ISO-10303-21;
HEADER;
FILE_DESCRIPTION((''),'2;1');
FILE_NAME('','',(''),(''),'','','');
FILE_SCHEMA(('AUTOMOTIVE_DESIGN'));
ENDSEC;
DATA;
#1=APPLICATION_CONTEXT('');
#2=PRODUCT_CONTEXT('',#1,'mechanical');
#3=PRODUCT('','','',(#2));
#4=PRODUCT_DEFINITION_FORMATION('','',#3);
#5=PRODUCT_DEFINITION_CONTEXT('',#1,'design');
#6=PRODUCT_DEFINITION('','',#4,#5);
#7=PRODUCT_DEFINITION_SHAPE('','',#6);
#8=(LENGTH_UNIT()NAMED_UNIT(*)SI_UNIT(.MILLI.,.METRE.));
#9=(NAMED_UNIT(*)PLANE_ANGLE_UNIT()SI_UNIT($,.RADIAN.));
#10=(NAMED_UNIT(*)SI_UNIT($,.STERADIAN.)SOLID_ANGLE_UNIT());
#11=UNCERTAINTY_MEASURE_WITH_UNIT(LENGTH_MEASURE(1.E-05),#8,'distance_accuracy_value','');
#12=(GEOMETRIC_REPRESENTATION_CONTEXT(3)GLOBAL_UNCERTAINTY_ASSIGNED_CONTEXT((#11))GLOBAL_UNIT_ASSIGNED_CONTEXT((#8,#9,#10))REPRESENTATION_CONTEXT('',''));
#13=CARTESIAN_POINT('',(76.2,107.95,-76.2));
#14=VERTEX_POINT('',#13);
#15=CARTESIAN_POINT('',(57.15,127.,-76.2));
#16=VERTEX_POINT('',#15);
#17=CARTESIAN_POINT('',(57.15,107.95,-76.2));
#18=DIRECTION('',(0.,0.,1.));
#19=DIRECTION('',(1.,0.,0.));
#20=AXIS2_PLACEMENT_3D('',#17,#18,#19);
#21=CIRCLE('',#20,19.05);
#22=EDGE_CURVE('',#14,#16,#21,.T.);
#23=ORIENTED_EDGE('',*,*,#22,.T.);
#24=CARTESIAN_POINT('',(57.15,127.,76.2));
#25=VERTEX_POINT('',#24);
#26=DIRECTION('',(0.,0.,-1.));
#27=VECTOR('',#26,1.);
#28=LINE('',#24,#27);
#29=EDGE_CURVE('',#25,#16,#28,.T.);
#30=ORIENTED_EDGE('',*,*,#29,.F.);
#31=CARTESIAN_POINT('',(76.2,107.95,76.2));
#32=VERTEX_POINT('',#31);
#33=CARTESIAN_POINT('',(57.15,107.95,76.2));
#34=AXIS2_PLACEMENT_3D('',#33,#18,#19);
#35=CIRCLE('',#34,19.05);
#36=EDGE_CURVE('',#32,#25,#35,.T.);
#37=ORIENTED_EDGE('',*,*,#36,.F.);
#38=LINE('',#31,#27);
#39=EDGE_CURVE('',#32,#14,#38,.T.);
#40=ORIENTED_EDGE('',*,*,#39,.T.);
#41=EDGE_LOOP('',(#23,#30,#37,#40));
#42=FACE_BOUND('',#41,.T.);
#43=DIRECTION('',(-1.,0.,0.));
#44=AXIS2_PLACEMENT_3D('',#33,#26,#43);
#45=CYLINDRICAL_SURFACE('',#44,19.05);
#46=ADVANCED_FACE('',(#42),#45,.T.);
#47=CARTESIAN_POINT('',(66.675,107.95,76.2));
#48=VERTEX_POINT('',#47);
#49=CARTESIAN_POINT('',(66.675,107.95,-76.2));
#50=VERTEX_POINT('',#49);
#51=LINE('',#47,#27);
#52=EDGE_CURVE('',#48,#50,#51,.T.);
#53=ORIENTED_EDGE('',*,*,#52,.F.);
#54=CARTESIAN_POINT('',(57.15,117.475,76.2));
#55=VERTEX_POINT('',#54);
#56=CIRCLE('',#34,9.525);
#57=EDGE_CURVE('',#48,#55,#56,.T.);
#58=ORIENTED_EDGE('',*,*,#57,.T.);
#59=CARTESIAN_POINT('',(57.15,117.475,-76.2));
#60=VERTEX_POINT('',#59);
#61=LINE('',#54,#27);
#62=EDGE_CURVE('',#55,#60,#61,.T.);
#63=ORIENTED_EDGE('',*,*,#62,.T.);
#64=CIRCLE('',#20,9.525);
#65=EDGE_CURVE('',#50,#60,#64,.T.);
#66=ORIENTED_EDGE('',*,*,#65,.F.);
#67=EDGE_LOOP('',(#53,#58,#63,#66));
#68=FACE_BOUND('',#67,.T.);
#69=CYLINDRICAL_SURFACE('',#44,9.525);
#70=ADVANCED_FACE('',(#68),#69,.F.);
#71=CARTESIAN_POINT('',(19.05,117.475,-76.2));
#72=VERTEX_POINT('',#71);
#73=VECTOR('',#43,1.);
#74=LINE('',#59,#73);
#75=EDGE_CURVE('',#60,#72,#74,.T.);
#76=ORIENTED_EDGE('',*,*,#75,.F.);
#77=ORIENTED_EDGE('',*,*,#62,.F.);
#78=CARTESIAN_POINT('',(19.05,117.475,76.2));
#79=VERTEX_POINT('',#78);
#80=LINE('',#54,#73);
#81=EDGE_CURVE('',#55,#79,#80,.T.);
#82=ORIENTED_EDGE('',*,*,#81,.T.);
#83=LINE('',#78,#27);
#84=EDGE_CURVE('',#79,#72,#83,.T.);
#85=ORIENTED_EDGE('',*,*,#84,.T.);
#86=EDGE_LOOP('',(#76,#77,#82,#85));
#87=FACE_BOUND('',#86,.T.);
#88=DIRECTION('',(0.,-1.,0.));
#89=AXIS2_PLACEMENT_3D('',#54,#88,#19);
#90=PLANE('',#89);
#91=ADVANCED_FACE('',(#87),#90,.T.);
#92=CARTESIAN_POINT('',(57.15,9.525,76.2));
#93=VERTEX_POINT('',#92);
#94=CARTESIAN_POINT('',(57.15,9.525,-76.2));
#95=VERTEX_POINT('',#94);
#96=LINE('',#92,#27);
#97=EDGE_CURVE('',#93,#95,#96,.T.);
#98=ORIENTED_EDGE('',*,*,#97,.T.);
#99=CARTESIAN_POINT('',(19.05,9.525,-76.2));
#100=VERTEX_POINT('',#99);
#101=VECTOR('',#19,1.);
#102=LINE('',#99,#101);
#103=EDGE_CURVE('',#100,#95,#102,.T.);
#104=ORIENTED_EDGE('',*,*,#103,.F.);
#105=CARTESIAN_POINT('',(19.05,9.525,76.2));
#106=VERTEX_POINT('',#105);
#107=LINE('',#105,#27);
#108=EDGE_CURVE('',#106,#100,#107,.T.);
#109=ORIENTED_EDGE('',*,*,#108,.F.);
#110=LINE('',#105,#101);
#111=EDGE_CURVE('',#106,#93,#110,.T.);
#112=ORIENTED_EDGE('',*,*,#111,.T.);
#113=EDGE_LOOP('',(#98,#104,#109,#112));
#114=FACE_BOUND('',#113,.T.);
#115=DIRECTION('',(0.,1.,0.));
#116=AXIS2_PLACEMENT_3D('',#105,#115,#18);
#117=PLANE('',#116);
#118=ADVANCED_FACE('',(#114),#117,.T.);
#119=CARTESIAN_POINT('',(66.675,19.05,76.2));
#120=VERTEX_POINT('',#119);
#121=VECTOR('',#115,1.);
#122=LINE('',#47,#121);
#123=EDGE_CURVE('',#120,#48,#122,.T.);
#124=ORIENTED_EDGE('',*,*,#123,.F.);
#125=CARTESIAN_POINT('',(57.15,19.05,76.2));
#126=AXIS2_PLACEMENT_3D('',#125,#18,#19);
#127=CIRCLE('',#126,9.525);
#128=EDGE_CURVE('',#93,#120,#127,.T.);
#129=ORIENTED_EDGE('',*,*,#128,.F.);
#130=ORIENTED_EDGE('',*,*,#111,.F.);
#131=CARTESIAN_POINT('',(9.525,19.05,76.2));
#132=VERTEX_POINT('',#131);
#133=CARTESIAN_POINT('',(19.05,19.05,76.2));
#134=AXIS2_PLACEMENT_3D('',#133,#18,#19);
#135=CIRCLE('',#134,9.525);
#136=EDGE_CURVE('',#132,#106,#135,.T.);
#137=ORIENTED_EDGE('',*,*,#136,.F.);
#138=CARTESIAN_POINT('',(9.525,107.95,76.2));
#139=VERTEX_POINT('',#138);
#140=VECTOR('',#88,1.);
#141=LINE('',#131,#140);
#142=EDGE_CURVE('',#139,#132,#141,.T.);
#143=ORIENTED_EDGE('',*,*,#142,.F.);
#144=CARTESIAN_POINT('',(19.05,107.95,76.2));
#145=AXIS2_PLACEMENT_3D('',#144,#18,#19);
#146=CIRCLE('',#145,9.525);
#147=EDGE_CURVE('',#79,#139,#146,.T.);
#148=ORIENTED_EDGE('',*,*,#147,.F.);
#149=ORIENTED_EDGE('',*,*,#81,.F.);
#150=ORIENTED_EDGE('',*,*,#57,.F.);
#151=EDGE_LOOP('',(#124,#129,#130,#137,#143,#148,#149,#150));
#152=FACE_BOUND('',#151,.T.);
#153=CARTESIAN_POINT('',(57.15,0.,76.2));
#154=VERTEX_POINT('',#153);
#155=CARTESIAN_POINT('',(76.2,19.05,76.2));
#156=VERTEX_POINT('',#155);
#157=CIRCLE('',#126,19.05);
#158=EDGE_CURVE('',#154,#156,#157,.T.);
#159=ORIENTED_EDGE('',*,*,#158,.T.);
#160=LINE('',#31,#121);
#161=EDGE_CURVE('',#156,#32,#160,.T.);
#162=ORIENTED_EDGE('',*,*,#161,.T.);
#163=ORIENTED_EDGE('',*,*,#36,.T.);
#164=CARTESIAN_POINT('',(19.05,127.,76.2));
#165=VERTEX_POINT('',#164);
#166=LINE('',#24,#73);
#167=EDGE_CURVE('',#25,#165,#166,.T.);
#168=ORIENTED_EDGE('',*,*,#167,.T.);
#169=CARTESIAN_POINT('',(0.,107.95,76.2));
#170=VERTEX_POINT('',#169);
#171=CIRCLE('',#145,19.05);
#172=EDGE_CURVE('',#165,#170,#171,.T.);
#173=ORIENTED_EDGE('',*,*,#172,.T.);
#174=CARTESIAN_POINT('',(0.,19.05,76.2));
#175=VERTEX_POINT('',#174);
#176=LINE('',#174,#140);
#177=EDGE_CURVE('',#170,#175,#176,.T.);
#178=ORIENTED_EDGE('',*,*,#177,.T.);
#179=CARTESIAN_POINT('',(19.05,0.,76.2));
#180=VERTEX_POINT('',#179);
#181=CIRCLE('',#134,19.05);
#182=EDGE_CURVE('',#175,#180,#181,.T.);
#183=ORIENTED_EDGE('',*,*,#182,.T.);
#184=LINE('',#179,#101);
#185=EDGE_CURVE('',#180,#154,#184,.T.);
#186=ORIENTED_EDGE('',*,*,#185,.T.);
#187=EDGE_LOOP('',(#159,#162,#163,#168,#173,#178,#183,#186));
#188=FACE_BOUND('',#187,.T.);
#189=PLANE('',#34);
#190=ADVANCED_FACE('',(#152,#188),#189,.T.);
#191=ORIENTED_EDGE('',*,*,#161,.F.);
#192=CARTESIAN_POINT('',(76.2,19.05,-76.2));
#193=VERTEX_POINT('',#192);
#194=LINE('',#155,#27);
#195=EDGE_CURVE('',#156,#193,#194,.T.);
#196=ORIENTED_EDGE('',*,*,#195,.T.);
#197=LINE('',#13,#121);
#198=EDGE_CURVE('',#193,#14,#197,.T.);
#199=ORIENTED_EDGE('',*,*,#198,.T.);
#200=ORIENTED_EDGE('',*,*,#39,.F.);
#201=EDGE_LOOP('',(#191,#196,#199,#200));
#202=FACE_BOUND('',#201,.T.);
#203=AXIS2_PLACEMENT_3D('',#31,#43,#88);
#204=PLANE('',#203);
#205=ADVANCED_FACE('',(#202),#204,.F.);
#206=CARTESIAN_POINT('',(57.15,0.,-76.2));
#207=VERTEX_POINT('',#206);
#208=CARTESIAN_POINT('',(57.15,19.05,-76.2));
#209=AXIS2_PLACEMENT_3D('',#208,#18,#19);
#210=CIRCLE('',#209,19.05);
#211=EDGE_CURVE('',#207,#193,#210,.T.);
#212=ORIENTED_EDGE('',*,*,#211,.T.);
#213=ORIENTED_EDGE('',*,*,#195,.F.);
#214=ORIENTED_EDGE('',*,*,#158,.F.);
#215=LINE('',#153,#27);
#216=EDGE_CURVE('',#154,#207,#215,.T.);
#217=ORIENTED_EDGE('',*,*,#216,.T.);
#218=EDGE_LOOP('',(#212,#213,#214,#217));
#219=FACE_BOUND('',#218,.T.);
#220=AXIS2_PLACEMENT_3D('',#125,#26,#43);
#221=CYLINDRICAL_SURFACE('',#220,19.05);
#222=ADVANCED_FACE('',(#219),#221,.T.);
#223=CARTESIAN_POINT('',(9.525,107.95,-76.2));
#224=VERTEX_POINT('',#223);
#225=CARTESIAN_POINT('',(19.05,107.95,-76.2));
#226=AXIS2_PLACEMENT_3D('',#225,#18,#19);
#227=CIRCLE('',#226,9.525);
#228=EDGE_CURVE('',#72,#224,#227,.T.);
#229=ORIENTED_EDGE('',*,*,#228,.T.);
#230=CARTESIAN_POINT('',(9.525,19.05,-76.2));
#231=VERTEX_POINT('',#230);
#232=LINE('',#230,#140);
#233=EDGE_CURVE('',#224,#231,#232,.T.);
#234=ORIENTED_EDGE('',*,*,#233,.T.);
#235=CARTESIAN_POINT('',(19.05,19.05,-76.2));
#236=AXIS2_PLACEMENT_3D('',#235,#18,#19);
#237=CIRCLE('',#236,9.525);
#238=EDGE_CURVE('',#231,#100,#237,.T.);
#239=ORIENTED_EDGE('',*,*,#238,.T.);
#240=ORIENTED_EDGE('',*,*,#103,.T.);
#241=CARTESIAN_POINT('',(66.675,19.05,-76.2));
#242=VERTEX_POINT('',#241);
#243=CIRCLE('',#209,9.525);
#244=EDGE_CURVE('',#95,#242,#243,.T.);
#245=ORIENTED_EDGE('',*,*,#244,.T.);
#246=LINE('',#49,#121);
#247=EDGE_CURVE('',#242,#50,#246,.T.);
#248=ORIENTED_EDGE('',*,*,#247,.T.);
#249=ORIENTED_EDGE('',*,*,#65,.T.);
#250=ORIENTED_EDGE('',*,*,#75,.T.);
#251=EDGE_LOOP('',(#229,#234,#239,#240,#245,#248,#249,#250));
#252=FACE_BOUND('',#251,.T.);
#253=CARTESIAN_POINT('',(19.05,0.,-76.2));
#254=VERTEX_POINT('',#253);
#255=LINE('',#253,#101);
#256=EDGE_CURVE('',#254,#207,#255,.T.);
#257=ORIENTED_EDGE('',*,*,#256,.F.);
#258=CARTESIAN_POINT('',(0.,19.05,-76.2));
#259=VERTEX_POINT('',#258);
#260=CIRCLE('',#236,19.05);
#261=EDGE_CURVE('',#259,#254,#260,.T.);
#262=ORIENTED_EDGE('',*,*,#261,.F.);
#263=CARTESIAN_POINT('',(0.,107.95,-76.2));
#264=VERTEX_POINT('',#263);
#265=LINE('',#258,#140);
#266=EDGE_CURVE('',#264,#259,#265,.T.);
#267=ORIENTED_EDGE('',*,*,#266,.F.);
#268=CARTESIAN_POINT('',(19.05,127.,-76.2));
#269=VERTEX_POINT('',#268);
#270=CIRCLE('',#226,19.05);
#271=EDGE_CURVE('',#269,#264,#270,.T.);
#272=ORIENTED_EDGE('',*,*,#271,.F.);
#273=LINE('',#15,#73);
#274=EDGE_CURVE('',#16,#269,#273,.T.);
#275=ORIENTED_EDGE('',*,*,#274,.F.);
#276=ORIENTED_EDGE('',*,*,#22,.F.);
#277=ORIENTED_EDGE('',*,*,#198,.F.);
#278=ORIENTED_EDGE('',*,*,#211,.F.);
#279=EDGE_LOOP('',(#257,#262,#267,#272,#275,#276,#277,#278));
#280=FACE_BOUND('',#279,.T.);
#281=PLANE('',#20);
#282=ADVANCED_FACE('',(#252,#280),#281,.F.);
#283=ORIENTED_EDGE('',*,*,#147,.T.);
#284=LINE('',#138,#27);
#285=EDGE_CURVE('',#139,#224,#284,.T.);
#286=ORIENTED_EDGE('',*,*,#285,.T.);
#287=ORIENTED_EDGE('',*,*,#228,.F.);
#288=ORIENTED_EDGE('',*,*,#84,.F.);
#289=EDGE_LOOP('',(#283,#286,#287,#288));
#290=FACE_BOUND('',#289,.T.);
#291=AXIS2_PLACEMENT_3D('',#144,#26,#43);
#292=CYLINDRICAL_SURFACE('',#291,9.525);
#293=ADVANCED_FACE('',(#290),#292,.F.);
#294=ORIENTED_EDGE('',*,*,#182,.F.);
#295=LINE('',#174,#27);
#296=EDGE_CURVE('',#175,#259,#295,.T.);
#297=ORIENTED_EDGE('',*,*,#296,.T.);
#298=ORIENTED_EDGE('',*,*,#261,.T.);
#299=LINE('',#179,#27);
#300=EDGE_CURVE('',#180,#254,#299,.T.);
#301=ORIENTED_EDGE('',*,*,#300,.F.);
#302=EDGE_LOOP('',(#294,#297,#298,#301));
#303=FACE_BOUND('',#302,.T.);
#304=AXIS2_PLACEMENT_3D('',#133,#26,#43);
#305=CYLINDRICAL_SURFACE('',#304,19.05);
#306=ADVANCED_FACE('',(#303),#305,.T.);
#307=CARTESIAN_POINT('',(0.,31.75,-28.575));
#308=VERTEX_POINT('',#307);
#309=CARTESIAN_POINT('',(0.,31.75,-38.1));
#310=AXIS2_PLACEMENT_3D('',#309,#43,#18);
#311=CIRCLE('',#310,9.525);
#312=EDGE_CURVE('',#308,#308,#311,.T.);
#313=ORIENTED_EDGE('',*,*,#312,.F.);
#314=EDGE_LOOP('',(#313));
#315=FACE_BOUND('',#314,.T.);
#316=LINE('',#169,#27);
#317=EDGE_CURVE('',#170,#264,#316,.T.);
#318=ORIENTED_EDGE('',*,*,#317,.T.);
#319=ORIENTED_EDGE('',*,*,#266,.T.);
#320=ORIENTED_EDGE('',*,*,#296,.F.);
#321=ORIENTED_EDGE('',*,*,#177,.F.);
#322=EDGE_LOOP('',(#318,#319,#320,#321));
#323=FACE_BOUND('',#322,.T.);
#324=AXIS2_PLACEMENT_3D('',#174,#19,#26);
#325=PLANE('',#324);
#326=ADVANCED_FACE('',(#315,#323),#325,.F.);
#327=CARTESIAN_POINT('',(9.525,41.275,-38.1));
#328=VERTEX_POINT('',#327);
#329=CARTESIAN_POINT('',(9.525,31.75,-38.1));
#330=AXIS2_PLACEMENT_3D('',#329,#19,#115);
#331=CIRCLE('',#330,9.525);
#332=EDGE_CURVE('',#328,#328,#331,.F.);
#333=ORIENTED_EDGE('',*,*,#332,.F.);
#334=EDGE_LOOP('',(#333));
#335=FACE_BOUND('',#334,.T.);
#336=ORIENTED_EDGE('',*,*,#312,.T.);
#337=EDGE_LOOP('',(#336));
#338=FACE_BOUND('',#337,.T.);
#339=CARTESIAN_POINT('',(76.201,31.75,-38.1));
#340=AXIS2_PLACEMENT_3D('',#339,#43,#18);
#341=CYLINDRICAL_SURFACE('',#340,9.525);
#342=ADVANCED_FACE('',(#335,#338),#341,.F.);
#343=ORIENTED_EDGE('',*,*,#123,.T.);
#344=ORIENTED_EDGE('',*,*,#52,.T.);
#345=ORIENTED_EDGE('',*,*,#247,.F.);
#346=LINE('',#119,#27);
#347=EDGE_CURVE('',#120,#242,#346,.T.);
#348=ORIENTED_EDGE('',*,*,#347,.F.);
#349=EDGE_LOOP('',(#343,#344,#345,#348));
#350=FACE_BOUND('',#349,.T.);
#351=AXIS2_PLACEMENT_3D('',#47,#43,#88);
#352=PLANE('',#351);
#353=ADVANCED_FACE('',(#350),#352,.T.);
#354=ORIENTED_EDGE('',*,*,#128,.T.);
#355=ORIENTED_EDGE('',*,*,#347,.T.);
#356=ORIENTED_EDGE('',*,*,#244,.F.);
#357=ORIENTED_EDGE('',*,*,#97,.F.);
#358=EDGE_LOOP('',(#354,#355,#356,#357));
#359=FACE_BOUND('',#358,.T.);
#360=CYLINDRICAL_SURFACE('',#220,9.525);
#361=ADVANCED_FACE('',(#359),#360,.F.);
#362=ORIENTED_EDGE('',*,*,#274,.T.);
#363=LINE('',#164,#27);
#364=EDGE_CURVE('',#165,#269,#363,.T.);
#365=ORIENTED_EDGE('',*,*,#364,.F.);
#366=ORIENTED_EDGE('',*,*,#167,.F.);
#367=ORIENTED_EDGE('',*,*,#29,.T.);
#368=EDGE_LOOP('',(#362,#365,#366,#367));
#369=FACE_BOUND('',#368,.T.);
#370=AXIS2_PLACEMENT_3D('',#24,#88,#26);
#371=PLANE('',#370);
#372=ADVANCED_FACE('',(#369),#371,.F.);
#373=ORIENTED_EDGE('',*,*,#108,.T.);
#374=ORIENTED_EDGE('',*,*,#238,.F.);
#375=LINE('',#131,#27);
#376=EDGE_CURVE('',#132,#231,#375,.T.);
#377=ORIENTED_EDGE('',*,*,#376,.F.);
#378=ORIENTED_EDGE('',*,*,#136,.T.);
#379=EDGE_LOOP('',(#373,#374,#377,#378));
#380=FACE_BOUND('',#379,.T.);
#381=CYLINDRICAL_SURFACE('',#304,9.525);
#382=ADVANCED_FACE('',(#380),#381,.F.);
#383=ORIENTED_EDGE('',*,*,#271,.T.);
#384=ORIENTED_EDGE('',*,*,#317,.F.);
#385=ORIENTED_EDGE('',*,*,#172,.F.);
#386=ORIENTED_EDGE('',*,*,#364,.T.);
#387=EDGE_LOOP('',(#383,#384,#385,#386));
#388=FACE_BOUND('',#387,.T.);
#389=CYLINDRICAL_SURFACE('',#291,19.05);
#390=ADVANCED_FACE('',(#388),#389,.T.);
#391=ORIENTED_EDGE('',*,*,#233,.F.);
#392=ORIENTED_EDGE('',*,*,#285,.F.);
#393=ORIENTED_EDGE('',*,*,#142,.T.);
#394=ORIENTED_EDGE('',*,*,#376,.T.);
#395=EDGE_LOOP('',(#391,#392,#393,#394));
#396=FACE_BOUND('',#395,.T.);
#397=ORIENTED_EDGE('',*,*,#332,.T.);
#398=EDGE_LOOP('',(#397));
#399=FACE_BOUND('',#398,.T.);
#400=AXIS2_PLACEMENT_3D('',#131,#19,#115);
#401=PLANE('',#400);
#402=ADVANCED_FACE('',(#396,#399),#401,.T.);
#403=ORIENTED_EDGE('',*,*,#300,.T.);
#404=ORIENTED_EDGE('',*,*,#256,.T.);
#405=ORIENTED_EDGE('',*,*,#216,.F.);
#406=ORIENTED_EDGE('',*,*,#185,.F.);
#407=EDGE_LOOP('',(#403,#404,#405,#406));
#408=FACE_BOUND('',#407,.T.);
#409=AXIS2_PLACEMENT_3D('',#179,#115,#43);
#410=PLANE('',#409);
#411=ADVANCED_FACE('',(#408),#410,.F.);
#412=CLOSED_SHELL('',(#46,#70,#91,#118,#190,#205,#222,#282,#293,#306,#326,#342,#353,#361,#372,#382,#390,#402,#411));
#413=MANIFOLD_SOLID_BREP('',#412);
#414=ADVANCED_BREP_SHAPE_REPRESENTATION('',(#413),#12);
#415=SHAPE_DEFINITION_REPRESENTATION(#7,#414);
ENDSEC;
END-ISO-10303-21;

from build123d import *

# Parameters (mm, degrees)
BASETUBER_DEPTH    = 76.2
CUT_EXTRUDE1_REACH = 78.2
SKETCH2_R          = 9.525


with BuildPart() as part:
    # Sketch1 → BaseTubeR (new body, symmetric)
    with BuildSketch(Plane.XY):
        with BuildLine():
            Line((19.05, 0), (57.15, 0))
            ThreePointArc((57.15, 0), (70.620384182, 5.579615818), (76.2, 19.05))
            Line((76.2, 19.05), (76.2, 107.95))
            ThreePointArc((76.2, 107.95), (70.620384182, 121.420384182), (57.15, 127))
            Line((57.15, 127), (19.05, 127))
            ThreePointArc((19.05, 127), (5.579615818, 121.420384182), (0, 107.95))
            Line((0, 107.95), (0, 19.05))
            ThreePointArc((0, 19.05), (5.579615818, 5.579615818), (19.05, 0))
        make_face()
        with BuildLine():
            Line((19.05, 9.525), (57.15, 9.525))
            ThreePointArc((57.15, 9.525), (63.885192091, 12.314807909), (66.675, 19.05))
            Line((66.675, 19.05), (66.675, 107.95))
            ThreePointArc((66.675, 107.95), (63.885192091, 114.685192091), (57.15, 117.475))
            Line((57.15, 117.475), (19.05, 117.475))
            ThreePointArc((19.05, 117.475), (12.314807909, 114.685192091), (9.525, 107.95))
            Line((9.525, 107.95), (9.525, 19.05))
            ThreePointArc((9.525, 19.05), (12.314807909, 12.314807909), (19.05, 9.525))
        make_face(mode=Mode.SUBTRACT)
    extrude(amount=BASETUBER_DEPTH, both=True)

    # Sketch2 → Cut-Extrude1 (cut, up to next)
    with BuildSketch(Plane.ZY, mode=Mode.PRIVATE) as cut_extrude1_sk1:
        with Locations((-38.1, 31.75)):
            Circle(SKETCH2_R)
    cut_extrude1_tool1 = extrude(cut_extrude1_sk1.sketch, amount=-CUT_EXTRUDE1_REACH, mode=Mode.PRIVATE) & part.part
    add(cut_extrude1_tool1.solids().sort_by_distance((0, 31.75, -38.1))[0], mode=Mode.SUBTRACT)


solid = part.part
